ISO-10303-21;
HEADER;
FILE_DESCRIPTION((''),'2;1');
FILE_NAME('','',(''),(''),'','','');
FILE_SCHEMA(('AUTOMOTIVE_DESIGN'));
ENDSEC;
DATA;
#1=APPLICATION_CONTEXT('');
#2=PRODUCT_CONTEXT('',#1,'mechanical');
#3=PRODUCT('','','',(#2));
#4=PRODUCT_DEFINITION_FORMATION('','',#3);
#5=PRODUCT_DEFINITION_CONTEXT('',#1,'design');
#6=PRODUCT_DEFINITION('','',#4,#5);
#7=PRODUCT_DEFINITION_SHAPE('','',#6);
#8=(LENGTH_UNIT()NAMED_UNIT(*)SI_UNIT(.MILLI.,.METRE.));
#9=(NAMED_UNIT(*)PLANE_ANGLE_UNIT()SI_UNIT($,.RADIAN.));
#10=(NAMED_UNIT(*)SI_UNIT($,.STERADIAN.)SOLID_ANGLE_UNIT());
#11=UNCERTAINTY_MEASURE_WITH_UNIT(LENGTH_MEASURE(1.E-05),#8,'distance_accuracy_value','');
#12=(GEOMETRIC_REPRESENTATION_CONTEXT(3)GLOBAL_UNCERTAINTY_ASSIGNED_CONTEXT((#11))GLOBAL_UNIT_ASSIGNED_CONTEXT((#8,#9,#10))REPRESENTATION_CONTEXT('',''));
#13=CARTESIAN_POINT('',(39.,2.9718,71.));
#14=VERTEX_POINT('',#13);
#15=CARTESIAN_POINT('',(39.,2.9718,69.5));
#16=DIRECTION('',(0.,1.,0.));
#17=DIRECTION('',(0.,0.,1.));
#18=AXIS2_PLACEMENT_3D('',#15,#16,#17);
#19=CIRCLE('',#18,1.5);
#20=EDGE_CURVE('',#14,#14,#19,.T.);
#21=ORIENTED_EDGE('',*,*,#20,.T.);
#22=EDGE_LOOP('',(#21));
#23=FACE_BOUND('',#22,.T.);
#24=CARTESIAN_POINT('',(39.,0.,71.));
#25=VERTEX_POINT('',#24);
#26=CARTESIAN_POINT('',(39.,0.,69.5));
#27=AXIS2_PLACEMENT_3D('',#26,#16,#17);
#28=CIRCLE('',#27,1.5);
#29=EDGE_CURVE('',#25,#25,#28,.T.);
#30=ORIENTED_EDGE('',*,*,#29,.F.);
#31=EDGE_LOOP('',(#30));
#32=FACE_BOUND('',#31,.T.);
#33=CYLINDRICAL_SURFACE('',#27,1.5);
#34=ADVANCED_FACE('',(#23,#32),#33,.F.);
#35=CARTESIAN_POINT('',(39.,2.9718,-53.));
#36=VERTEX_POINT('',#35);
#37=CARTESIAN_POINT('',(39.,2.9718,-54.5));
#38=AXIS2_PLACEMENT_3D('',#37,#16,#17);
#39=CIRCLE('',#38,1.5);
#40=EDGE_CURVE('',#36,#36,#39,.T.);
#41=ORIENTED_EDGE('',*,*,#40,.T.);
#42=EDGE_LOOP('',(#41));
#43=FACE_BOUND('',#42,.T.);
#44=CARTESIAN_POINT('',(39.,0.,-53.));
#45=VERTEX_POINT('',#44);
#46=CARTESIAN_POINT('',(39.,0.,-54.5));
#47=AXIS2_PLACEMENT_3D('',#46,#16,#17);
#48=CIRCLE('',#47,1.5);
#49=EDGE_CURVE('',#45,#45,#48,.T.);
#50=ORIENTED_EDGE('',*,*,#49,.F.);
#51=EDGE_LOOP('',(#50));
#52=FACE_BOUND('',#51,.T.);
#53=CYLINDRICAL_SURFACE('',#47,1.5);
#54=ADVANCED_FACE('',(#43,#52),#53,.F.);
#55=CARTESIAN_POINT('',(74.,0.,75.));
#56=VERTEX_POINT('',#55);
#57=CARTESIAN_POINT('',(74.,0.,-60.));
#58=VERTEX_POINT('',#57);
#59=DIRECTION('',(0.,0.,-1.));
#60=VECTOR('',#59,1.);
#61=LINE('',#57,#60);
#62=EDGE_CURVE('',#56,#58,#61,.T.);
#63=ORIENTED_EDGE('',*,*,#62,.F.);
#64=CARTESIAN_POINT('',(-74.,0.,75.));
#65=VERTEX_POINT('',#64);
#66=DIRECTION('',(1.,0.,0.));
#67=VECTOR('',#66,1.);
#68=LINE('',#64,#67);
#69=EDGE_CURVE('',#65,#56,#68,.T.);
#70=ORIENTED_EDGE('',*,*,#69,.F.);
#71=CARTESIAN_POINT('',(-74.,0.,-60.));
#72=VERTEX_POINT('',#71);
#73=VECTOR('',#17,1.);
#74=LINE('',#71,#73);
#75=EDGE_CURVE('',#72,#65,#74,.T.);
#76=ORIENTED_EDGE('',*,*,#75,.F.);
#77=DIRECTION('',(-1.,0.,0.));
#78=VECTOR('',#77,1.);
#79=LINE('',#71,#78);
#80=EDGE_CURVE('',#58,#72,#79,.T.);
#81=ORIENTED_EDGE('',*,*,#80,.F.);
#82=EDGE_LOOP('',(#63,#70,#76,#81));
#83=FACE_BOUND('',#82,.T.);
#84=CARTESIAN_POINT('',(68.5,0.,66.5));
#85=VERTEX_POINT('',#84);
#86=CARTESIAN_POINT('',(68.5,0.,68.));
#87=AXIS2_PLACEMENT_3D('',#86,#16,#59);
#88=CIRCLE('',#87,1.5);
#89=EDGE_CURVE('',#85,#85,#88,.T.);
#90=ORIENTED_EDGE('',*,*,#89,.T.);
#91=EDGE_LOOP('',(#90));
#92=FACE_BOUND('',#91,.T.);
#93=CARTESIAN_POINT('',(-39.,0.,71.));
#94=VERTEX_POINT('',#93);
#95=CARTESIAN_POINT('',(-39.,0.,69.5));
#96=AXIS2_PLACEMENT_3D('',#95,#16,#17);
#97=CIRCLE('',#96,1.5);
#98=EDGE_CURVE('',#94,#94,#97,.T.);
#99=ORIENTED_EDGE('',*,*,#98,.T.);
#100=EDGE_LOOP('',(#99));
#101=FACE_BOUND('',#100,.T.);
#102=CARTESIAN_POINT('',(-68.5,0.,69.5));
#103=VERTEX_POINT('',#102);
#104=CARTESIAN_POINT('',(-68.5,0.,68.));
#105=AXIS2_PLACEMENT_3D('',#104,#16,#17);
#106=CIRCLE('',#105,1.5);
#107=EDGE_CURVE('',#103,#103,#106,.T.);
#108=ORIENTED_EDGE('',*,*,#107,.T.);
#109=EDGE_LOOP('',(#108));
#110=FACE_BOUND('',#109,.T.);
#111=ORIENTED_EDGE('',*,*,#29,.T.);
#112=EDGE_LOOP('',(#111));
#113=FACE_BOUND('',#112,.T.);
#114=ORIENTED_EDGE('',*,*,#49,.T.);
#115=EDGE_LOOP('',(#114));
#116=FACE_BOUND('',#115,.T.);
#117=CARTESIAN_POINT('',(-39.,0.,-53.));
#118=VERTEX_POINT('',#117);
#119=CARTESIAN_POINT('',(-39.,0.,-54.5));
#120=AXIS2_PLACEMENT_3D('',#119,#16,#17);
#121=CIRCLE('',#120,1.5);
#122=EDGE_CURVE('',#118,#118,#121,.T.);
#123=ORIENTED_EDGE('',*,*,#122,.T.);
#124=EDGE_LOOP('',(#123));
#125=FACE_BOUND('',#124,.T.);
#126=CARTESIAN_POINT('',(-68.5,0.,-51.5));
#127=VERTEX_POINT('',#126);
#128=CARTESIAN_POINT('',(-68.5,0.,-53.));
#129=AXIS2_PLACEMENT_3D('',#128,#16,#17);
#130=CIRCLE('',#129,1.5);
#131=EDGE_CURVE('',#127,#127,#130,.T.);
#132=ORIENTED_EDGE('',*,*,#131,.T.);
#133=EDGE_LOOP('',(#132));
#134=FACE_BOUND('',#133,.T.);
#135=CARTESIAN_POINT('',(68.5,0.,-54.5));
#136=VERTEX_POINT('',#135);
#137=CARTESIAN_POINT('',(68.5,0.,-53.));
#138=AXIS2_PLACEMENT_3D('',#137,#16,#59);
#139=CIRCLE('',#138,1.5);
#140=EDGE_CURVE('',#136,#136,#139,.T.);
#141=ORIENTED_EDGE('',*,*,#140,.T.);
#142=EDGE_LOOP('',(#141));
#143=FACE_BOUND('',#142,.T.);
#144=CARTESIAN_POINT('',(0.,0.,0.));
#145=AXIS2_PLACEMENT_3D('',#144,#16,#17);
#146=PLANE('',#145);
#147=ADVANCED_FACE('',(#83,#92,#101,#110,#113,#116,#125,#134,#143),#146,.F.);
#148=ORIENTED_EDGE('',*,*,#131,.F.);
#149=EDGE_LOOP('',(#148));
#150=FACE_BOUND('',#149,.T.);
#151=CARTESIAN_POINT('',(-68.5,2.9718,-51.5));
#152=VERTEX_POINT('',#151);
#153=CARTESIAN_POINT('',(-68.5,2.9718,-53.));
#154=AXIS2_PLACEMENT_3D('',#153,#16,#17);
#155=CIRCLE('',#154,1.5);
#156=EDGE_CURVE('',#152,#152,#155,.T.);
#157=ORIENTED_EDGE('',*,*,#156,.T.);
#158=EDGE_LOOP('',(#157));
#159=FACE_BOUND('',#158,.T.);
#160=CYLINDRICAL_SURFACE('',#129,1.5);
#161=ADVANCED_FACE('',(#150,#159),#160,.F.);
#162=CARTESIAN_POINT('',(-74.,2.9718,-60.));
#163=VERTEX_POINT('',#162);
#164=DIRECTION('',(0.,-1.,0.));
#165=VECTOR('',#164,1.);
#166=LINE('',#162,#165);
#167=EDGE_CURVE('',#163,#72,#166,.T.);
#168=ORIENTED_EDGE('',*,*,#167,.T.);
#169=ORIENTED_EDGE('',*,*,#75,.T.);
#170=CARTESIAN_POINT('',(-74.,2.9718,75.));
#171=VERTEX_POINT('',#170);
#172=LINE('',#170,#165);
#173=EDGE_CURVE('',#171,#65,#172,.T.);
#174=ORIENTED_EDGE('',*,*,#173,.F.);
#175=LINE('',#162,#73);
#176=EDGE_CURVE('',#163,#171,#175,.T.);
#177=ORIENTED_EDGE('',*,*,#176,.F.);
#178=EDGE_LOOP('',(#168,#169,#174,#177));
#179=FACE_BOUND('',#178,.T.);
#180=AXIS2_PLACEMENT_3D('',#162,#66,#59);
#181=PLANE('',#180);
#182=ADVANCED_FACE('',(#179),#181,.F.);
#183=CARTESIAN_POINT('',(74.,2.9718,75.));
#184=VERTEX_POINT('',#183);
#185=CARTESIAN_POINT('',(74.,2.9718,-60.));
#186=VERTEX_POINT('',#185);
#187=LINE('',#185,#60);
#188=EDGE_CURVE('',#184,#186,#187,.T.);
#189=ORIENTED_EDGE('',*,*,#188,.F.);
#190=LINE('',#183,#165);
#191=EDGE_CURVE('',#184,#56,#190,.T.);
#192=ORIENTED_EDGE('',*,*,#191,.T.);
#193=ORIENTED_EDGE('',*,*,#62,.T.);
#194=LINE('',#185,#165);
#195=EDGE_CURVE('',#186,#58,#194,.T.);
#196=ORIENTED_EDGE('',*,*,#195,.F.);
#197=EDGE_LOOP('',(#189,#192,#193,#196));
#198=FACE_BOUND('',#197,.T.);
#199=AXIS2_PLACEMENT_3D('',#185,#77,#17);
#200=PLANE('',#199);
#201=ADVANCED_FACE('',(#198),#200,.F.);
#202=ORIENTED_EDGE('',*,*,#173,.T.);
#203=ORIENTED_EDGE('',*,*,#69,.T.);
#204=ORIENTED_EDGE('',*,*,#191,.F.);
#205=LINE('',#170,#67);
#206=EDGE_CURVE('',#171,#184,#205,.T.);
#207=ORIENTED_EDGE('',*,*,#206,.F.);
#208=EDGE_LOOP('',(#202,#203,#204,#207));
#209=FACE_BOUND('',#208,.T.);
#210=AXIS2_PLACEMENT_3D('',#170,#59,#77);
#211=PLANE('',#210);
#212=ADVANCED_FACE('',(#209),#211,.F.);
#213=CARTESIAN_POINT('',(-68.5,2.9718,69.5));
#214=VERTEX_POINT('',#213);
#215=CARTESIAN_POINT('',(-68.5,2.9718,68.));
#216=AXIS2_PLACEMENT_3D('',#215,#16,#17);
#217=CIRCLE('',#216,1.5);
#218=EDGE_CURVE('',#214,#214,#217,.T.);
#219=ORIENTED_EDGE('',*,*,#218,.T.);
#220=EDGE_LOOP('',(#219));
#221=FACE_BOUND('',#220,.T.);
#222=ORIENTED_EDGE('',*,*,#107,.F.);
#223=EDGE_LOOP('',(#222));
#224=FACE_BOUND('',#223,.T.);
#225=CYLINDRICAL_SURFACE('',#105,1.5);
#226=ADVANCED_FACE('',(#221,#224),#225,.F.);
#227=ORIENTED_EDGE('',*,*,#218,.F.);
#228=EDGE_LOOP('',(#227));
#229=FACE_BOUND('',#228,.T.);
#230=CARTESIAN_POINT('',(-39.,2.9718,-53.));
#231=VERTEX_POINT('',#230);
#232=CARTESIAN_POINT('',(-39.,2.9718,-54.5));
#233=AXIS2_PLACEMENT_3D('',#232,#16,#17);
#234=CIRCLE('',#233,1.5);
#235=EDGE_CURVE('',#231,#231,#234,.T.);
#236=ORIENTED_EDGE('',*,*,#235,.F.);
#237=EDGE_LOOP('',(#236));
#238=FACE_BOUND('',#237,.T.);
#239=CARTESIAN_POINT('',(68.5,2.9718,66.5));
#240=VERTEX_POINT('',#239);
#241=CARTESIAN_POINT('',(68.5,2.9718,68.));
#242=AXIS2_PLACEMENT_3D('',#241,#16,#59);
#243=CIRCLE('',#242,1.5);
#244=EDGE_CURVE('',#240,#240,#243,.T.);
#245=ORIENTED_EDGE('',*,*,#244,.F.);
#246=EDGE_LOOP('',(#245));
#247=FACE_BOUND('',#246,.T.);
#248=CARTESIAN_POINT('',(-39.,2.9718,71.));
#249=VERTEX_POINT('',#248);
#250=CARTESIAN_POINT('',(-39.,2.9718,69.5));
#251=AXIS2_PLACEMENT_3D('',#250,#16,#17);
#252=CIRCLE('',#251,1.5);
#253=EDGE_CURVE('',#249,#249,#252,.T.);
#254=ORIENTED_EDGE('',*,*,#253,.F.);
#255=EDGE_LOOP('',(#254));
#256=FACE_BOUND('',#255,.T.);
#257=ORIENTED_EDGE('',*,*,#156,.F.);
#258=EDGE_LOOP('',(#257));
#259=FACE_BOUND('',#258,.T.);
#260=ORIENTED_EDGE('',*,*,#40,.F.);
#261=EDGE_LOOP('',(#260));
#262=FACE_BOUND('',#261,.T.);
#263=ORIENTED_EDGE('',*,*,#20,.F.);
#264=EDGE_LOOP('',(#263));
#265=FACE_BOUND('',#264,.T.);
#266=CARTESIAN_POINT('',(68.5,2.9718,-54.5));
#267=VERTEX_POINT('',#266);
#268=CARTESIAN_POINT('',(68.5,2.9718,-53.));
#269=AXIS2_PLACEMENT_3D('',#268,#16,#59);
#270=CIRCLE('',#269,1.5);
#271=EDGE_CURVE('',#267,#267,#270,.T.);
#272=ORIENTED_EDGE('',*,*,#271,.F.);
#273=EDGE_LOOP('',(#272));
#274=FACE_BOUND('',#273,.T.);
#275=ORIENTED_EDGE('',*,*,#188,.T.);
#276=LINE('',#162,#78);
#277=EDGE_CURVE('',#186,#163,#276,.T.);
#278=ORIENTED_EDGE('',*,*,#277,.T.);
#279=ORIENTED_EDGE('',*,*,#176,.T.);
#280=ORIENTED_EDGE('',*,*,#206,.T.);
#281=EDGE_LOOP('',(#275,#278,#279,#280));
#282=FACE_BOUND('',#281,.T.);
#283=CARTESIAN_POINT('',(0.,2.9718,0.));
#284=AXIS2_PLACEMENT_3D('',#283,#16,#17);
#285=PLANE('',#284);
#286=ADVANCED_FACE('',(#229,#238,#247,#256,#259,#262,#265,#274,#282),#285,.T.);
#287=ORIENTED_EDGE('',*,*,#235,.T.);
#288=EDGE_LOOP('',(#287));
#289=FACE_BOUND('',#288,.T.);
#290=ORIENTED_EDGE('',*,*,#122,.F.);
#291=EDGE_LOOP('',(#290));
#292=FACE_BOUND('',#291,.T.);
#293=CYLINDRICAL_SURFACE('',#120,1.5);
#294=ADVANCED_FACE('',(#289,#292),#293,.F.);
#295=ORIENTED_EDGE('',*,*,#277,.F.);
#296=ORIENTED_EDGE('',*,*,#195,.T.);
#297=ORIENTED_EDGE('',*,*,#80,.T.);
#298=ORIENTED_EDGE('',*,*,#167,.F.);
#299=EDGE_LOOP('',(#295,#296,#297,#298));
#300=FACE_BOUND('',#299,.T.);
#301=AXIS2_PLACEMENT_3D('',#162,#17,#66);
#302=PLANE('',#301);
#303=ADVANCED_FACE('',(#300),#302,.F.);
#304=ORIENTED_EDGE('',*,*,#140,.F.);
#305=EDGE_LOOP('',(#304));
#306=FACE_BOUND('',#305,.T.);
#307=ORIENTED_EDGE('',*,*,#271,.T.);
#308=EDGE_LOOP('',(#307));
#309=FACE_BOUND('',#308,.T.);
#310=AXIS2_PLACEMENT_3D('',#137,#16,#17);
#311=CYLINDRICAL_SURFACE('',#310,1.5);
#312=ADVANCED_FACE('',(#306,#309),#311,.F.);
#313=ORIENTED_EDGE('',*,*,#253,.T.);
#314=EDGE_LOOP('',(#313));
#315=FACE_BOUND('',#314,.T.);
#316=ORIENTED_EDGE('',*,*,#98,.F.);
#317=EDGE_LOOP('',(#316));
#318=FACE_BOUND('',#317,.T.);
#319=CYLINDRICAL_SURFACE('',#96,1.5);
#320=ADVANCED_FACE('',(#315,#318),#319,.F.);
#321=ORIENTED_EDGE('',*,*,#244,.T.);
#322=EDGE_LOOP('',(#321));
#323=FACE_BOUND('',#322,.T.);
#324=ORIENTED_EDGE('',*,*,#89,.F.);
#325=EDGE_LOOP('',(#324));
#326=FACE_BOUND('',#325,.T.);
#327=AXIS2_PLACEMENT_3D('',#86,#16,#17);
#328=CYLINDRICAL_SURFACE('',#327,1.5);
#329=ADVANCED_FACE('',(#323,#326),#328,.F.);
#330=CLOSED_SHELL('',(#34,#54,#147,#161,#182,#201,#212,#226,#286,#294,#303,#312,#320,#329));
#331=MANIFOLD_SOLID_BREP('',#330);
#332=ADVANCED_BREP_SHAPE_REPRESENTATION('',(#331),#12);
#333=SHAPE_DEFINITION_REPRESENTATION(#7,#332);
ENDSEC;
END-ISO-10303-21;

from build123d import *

# Parameters (mm, degrees)
SKETCH1_W           = 148
SKETCH1_H           = 135
BOSS_EXTRUDE1_DEPTH = 2.9718
SKETCH2_R           = 1.5
CUT_EXTRUDE1_DEPTH  = 106.403185888


with BuildPart() as part:
    # Sketch1 → Boss-Extrude1 (new body)
    with BuildSketch(Plane(origin=(0, 0, 0), x_dir=(1, 0, 0), z_dir=(0, 1, 0))):
        with Locations((0, -7.5)):
            Rectangle(SKETCH1_W, SKETCH1_H)
    extrude(amount=BOSS_EXTRUDE1_DEPTH)

    # Sketch2 → Cut-Extrude1 (cut, through all)
    with BuildSketch(Plane(origin=(0, 2.9718, 0), x_dir=(1, 0, 0), z_dir=(0, 1, 0))):
        with Locations(Location((-68.5, 53, 0), (0, 0, 270))):
            Circle(SKETCH2_R)
        with Locations(Location((-68.5, -68, 0), (0, 0, 270))):
            Circle(SKETCH2_R)
        with Locations(Location((68.5, -68, 0), (0, 0, 90))):
            Circle(SKETCH2_R)
        with Locations(Location((68.5, 53, 0), (0, 0, 90))):
            Circle(SKETCH2_R)
        with Locations(Location((-39, 54.5, 0), (0, 0, 270))):
            Circle(SKETCH2_R)
        with Locations(Location((39, 54.5, 0), (0, 0, 270))):
            Circle(SKETCH2_R)
        with Locations(Location((-39, -69.5, 0), (0, 0, 270))):
            Circle(SKETCH2_R)
        with Locations(Location((39, -69.5, 0), (0, 0, 270))):
            Circle(SKETCH2_R)
    extrude(amount=-CUT_EXTRUDE1_DEPTH, mode=Mode.SUBTRACT)


solid = part.part
